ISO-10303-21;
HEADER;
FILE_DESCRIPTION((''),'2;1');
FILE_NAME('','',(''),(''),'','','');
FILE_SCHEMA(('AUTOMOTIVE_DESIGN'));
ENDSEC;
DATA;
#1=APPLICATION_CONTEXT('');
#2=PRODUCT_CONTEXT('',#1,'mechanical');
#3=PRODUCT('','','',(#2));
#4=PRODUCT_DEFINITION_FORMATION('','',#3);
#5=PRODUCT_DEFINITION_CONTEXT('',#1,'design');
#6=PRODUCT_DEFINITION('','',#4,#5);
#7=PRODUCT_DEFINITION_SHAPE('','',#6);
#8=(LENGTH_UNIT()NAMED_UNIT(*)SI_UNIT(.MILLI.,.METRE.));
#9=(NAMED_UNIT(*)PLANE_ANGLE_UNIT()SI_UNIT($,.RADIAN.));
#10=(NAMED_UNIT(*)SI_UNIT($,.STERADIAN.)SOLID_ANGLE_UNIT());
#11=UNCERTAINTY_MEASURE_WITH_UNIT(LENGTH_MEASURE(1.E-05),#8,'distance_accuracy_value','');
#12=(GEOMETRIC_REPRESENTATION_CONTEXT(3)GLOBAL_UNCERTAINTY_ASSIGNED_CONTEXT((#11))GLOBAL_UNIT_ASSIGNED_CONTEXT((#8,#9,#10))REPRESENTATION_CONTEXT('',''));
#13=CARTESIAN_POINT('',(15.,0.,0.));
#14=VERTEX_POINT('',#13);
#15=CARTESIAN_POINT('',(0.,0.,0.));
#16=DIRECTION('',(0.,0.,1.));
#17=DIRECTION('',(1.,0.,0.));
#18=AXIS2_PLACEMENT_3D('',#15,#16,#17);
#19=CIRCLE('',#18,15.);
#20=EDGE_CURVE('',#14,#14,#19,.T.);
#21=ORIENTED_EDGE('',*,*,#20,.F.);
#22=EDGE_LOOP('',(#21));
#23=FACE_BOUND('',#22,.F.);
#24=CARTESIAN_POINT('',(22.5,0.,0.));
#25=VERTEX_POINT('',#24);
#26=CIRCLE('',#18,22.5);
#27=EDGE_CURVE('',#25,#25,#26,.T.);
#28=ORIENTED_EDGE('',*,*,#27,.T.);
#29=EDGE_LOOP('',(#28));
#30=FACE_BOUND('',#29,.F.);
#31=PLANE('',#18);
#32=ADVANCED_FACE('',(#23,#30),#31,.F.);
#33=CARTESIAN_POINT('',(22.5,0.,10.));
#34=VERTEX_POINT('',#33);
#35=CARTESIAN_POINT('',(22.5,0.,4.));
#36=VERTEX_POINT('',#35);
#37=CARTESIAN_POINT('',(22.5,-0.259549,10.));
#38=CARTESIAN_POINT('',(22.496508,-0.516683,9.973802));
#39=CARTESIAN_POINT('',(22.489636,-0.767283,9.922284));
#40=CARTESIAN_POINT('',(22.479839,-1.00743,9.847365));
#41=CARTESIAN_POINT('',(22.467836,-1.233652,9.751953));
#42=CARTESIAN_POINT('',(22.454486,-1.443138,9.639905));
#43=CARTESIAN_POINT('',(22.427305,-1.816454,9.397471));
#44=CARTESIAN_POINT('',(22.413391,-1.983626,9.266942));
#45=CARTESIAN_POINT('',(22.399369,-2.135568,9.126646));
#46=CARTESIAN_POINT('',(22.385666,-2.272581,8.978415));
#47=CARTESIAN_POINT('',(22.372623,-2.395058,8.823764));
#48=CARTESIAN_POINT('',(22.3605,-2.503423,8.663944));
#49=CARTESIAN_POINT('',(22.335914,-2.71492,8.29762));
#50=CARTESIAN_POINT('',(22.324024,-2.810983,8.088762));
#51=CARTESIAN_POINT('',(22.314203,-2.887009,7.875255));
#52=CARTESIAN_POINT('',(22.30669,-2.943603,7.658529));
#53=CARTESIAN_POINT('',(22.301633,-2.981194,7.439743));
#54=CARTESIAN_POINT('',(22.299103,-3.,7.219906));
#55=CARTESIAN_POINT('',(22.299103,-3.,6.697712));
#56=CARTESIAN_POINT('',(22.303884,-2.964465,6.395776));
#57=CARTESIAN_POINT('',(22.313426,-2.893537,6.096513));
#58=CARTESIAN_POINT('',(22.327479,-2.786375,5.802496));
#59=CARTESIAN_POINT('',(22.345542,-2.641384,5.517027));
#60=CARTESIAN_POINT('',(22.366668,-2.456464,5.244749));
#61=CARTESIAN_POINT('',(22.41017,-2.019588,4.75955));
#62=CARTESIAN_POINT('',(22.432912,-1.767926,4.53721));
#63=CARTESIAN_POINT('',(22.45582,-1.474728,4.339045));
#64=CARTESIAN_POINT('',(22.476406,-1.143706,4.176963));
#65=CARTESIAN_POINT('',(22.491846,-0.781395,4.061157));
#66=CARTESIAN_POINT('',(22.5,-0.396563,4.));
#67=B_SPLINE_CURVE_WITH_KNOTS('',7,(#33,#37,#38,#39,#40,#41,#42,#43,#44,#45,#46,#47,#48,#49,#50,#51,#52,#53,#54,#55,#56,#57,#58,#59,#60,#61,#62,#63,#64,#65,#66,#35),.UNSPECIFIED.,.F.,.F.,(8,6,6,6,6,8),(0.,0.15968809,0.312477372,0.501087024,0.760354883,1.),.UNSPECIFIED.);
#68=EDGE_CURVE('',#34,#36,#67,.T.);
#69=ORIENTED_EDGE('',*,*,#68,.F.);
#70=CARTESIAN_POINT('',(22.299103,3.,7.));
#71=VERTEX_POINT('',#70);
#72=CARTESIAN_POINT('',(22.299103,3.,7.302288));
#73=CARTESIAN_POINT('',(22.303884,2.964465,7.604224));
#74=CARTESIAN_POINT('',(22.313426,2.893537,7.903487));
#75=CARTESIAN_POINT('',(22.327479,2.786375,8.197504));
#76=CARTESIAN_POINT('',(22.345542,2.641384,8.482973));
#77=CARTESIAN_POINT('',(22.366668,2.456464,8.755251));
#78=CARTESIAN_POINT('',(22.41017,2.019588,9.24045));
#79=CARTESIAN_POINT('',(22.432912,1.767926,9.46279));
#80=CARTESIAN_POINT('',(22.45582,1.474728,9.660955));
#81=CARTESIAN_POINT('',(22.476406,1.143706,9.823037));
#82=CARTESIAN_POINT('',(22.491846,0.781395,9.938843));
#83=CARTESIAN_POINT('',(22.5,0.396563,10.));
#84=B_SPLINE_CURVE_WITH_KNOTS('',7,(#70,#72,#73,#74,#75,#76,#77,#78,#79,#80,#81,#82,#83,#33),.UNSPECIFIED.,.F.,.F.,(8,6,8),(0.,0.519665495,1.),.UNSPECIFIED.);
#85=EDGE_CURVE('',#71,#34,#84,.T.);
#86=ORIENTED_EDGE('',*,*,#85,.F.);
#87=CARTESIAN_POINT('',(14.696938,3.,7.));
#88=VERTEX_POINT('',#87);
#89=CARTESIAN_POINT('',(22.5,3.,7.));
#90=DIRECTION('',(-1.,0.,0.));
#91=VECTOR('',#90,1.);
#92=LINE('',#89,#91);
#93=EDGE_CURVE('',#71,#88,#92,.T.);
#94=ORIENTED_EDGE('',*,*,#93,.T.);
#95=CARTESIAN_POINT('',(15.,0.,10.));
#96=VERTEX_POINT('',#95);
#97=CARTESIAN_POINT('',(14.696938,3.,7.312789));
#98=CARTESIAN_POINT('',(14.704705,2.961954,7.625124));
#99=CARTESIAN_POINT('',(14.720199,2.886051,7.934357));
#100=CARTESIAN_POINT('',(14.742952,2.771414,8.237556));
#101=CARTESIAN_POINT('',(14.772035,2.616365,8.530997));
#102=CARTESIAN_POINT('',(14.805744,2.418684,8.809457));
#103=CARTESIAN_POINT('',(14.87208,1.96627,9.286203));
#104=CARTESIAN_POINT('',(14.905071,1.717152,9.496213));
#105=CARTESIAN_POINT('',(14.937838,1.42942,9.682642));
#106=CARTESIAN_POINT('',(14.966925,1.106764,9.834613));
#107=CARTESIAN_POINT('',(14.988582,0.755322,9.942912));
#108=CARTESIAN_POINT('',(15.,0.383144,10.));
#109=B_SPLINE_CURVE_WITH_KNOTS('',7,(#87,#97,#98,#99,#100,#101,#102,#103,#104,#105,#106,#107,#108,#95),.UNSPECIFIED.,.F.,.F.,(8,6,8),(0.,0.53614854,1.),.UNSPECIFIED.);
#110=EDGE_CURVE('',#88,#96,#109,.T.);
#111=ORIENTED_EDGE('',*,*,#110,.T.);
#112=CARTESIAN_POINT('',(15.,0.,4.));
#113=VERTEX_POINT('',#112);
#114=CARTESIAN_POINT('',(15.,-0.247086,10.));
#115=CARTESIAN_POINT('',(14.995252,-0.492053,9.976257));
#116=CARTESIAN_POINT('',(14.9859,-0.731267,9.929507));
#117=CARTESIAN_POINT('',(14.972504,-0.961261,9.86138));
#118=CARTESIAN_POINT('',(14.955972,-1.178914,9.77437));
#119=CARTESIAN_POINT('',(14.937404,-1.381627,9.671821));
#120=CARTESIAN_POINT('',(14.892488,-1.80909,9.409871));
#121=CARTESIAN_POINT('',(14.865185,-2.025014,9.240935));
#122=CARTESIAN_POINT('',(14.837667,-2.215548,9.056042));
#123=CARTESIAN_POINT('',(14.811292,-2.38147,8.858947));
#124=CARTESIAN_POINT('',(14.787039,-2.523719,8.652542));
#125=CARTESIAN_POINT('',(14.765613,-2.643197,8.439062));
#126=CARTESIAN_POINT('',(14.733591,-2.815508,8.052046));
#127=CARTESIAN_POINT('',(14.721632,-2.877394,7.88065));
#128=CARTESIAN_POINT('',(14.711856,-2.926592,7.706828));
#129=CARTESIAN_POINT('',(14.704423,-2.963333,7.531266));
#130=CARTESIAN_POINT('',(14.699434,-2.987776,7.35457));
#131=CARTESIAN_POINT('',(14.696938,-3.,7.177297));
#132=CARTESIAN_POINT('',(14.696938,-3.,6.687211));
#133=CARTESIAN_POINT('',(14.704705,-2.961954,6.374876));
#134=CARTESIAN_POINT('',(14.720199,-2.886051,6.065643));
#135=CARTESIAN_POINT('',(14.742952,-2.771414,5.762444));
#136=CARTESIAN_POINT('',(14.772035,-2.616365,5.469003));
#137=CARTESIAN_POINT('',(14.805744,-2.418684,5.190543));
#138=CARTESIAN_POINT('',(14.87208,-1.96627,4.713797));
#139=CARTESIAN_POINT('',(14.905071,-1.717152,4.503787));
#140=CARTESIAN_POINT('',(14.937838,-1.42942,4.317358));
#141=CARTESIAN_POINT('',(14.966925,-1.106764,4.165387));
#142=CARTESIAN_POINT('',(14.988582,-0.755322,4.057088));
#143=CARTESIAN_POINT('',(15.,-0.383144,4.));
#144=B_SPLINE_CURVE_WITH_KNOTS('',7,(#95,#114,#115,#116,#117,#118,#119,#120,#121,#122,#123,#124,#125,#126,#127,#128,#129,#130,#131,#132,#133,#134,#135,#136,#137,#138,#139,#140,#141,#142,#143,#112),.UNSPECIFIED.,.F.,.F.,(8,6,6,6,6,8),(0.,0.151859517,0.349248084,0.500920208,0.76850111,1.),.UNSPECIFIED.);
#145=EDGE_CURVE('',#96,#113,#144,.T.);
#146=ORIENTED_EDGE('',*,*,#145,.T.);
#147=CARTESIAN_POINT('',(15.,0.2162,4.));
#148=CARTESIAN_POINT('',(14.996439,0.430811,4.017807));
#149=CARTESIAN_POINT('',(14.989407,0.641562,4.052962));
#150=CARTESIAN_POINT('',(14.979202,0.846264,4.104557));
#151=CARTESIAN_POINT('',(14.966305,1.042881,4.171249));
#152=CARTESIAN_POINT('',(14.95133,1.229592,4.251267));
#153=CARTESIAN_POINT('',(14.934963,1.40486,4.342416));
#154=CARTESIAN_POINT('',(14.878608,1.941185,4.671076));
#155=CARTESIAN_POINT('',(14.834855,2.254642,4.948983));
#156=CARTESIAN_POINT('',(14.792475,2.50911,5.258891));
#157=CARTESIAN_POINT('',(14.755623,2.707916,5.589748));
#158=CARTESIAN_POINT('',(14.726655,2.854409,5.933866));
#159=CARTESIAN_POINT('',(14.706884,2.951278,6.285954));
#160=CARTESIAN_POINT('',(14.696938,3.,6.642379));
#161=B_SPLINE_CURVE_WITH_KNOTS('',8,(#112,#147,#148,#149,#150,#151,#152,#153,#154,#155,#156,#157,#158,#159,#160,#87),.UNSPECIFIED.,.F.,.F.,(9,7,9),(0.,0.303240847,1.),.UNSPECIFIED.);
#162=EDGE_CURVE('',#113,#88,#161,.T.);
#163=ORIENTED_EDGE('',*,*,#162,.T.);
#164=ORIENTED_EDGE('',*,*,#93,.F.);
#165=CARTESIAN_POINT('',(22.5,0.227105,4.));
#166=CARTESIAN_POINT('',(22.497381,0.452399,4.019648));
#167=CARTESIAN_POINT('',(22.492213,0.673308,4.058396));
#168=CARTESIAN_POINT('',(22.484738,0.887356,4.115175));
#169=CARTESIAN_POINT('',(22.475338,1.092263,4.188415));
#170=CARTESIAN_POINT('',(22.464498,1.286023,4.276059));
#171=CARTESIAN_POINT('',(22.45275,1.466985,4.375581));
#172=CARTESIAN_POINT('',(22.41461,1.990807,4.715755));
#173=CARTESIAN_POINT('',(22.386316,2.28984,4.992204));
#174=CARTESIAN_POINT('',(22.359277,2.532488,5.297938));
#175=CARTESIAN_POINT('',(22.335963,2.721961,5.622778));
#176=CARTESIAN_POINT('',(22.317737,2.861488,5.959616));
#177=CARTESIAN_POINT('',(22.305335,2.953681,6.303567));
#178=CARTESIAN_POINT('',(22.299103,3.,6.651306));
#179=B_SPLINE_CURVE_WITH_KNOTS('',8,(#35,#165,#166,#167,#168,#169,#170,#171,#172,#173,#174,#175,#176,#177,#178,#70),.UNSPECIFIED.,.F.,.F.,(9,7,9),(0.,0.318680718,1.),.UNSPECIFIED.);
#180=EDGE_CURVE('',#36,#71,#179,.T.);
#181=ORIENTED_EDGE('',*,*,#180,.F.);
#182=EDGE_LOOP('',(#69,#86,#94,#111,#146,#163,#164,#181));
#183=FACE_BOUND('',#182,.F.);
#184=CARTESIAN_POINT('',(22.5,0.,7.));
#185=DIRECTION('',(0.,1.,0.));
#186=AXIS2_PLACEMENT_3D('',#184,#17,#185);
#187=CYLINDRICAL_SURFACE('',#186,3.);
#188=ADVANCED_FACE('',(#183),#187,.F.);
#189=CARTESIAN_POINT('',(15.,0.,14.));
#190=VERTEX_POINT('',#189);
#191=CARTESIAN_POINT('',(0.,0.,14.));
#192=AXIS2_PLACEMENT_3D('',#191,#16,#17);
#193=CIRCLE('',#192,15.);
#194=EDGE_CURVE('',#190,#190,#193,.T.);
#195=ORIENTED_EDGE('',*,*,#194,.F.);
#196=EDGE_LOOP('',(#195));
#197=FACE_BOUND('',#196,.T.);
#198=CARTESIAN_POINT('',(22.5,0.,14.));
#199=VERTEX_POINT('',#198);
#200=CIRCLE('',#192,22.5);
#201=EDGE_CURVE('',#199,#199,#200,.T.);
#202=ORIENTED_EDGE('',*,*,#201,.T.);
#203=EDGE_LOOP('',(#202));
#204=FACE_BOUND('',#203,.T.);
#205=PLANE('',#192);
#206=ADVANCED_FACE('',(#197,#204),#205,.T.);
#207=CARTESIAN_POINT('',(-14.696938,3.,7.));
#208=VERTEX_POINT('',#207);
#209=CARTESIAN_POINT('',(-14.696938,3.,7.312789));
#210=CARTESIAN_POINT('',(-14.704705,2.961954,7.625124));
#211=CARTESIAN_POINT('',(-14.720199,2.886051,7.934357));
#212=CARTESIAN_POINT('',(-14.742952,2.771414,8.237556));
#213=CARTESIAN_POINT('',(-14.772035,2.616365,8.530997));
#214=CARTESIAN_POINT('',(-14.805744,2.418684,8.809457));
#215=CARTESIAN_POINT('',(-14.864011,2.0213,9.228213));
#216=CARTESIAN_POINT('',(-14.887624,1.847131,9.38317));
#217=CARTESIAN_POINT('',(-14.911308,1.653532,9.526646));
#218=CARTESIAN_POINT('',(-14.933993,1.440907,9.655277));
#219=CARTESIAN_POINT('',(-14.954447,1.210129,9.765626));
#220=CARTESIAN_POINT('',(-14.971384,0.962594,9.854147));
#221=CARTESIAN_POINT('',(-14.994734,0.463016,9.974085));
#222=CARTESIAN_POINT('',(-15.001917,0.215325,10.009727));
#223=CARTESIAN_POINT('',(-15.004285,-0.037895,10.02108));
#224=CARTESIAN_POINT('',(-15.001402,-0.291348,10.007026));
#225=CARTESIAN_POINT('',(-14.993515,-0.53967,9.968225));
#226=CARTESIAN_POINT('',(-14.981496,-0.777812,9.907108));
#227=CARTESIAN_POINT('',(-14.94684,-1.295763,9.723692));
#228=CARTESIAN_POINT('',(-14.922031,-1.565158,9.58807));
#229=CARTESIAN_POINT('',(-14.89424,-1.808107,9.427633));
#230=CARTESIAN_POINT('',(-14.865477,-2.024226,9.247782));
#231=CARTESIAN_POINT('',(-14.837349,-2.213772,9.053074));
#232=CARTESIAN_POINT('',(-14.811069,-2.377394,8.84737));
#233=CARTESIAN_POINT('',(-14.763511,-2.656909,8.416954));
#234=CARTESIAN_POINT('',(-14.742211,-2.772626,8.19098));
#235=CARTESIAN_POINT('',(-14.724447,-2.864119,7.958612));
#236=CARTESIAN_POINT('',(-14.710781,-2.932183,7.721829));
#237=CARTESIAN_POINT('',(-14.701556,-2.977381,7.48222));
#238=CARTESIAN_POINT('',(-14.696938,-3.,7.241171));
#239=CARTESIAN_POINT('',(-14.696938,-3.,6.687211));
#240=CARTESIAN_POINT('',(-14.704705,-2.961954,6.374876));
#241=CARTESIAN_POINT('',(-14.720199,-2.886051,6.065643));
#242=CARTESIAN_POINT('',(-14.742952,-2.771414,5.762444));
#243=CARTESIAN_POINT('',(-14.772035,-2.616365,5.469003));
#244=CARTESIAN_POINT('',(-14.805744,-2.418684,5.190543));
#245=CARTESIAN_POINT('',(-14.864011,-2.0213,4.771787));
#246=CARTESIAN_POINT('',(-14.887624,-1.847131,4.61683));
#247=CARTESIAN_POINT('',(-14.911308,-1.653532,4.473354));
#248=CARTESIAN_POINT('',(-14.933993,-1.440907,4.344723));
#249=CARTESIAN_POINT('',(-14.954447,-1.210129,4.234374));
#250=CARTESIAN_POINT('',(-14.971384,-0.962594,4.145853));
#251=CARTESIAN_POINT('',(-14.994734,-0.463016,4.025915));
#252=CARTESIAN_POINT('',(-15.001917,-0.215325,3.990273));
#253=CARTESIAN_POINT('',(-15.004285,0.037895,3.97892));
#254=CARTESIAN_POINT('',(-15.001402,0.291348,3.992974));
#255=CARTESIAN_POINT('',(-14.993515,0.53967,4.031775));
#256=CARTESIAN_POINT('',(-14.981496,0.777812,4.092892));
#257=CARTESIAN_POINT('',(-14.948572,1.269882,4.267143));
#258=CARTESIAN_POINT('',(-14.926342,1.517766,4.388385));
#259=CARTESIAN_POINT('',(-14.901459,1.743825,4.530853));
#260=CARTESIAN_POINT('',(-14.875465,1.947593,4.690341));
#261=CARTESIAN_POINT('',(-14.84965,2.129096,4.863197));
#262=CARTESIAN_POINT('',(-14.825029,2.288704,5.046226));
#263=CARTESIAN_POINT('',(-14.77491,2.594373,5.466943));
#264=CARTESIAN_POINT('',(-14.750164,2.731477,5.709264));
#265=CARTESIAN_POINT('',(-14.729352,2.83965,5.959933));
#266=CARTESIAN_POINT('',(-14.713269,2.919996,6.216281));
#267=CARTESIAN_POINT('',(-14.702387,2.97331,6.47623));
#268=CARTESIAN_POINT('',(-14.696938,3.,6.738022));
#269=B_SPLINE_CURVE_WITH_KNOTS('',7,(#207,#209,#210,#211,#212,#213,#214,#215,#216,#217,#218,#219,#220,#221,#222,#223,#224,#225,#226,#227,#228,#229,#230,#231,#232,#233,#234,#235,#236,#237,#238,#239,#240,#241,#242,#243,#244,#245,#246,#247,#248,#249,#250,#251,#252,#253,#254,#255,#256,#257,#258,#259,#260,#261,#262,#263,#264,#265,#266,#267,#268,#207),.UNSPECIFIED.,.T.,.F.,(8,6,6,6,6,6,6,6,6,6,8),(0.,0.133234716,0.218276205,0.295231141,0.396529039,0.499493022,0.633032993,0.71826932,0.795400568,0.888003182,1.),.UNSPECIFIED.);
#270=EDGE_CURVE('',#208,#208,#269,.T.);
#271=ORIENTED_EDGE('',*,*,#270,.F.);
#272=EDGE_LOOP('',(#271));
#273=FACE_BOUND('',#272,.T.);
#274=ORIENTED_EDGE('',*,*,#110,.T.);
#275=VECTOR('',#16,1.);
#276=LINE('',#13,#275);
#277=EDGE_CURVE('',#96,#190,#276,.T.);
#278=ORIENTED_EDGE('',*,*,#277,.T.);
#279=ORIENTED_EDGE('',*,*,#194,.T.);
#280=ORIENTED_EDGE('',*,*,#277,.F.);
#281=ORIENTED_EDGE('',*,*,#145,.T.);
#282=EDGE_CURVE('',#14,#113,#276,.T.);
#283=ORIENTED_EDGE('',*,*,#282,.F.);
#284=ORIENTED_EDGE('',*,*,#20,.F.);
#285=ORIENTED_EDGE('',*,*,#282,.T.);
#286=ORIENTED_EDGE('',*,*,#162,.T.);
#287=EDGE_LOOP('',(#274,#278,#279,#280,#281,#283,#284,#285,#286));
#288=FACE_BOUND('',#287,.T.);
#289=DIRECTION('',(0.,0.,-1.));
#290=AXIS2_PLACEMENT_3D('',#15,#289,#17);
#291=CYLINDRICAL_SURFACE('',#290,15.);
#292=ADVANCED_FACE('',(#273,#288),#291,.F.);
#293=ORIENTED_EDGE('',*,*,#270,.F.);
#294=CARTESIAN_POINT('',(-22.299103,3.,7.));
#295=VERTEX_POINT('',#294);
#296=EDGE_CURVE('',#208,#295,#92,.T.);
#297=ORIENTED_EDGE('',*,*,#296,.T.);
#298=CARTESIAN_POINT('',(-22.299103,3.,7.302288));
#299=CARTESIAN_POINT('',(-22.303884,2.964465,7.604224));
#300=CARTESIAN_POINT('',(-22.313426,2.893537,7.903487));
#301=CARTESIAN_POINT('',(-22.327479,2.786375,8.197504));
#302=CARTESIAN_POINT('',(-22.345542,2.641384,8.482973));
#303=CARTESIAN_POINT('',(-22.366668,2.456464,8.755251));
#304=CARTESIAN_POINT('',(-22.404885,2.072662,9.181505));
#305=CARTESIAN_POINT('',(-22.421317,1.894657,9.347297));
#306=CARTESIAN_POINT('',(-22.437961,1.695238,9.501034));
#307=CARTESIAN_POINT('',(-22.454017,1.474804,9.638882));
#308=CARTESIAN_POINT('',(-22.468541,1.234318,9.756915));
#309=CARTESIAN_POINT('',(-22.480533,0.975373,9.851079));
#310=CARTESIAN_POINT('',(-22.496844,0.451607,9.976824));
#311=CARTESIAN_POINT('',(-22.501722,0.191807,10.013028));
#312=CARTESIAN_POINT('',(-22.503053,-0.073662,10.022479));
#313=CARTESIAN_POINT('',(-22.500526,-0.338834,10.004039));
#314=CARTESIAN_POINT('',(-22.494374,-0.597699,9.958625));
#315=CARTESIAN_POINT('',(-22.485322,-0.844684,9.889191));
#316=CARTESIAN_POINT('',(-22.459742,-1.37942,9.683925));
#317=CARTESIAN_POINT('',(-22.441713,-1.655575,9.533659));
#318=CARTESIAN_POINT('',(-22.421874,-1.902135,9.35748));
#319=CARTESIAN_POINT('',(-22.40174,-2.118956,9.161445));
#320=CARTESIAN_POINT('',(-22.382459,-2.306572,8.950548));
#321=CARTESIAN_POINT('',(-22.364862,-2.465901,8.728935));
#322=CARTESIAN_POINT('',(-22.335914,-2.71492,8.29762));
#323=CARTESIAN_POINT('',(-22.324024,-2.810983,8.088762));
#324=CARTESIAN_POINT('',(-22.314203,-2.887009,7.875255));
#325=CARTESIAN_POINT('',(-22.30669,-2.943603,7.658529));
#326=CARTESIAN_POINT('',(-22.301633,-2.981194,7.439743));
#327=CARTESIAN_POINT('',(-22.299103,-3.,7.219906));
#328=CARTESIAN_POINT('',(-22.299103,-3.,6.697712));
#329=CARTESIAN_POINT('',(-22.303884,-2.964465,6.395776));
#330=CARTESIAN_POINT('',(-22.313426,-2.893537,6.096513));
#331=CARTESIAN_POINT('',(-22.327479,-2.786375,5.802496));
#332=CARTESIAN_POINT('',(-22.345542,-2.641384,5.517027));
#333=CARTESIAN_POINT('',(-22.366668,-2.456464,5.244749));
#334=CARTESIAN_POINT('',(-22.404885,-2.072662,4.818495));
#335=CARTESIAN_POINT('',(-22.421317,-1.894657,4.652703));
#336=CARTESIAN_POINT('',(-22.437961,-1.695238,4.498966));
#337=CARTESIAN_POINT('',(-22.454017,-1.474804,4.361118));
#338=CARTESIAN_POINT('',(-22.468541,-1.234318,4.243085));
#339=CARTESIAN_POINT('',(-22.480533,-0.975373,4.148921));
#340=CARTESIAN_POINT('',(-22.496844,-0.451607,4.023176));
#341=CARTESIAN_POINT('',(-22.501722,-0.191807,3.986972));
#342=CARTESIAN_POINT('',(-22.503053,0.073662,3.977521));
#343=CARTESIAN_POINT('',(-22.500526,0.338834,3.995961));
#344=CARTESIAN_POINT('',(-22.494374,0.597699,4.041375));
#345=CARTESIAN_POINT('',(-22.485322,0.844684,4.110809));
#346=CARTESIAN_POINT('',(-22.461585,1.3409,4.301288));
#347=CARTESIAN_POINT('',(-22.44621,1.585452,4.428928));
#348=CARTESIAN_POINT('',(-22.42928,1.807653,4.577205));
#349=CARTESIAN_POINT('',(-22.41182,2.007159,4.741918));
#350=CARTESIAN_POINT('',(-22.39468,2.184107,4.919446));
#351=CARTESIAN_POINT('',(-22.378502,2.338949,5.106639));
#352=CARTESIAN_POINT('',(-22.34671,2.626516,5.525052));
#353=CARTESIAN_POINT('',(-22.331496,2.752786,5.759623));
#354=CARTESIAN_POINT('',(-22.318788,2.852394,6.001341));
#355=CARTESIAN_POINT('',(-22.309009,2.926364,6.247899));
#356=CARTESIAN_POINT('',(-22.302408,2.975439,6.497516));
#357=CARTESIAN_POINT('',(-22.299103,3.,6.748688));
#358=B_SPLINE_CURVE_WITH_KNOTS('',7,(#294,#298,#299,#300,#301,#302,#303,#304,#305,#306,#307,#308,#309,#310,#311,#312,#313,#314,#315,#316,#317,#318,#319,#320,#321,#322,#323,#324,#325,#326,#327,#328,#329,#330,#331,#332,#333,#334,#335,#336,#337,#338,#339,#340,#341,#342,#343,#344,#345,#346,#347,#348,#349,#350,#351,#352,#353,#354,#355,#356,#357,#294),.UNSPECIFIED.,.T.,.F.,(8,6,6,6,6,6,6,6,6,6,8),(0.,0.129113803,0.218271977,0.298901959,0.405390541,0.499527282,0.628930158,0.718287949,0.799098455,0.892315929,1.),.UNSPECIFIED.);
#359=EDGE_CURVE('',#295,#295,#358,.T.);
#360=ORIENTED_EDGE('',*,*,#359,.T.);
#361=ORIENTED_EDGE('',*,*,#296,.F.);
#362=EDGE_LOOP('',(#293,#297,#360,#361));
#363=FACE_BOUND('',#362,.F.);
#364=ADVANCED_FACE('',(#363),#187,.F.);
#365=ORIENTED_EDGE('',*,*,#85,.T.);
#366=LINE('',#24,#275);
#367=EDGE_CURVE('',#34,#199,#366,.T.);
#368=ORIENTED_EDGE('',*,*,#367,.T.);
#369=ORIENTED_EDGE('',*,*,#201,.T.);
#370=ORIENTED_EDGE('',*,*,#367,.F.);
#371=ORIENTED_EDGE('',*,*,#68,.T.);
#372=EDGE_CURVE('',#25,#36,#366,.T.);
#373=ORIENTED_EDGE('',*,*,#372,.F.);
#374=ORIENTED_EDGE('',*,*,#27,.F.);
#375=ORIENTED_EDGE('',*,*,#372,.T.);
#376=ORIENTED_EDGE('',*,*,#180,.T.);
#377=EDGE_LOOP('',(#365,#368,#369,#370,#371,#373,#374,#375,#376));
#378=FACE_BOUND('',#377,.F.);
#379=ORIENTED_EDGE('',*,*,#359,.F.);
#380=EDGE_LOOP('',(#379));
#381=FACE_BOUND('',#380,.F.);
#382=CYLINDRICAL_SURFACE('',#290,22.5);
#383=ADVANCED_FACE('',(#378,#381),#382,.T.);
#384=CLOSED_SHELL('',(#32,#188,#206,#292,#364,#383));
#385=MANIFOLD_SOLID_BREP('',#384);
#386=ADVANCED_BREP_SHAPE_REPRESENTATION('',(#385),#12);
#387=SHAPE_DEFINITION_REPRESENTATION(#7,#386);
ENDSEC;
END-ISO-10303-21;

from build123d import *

# Parameters (mm, degrees)
SKETCH_R     = 22.5
SKETCH_R_2   = 15
PAD_DEPTH    = 14
SKETCH001_R  = 3
POCKET_DEPTH = 45.001


with BuildPart() as part:
    # Sketch → Pad (new body)
    with BuildSketch(Plane.XY):
        Circle(SKETCH_R)
        Circle(SKETCH_R_2, mode=Mode.SUBTRACT)
    extrude(amount=PAD_DEPTH)

    # Sketch001 → Pocket (cut, through all)
    with BuildSketch(Plane(origin=(22.5, 0, 7), x_dir=(0, 1, 0), z_dir=(1, 0, 0))):
        Circle(SKETCH001_R)
    extrude(amount=-POCKET_DEPTH, mode=Mode.SUBTRACT)


solid = part.part
